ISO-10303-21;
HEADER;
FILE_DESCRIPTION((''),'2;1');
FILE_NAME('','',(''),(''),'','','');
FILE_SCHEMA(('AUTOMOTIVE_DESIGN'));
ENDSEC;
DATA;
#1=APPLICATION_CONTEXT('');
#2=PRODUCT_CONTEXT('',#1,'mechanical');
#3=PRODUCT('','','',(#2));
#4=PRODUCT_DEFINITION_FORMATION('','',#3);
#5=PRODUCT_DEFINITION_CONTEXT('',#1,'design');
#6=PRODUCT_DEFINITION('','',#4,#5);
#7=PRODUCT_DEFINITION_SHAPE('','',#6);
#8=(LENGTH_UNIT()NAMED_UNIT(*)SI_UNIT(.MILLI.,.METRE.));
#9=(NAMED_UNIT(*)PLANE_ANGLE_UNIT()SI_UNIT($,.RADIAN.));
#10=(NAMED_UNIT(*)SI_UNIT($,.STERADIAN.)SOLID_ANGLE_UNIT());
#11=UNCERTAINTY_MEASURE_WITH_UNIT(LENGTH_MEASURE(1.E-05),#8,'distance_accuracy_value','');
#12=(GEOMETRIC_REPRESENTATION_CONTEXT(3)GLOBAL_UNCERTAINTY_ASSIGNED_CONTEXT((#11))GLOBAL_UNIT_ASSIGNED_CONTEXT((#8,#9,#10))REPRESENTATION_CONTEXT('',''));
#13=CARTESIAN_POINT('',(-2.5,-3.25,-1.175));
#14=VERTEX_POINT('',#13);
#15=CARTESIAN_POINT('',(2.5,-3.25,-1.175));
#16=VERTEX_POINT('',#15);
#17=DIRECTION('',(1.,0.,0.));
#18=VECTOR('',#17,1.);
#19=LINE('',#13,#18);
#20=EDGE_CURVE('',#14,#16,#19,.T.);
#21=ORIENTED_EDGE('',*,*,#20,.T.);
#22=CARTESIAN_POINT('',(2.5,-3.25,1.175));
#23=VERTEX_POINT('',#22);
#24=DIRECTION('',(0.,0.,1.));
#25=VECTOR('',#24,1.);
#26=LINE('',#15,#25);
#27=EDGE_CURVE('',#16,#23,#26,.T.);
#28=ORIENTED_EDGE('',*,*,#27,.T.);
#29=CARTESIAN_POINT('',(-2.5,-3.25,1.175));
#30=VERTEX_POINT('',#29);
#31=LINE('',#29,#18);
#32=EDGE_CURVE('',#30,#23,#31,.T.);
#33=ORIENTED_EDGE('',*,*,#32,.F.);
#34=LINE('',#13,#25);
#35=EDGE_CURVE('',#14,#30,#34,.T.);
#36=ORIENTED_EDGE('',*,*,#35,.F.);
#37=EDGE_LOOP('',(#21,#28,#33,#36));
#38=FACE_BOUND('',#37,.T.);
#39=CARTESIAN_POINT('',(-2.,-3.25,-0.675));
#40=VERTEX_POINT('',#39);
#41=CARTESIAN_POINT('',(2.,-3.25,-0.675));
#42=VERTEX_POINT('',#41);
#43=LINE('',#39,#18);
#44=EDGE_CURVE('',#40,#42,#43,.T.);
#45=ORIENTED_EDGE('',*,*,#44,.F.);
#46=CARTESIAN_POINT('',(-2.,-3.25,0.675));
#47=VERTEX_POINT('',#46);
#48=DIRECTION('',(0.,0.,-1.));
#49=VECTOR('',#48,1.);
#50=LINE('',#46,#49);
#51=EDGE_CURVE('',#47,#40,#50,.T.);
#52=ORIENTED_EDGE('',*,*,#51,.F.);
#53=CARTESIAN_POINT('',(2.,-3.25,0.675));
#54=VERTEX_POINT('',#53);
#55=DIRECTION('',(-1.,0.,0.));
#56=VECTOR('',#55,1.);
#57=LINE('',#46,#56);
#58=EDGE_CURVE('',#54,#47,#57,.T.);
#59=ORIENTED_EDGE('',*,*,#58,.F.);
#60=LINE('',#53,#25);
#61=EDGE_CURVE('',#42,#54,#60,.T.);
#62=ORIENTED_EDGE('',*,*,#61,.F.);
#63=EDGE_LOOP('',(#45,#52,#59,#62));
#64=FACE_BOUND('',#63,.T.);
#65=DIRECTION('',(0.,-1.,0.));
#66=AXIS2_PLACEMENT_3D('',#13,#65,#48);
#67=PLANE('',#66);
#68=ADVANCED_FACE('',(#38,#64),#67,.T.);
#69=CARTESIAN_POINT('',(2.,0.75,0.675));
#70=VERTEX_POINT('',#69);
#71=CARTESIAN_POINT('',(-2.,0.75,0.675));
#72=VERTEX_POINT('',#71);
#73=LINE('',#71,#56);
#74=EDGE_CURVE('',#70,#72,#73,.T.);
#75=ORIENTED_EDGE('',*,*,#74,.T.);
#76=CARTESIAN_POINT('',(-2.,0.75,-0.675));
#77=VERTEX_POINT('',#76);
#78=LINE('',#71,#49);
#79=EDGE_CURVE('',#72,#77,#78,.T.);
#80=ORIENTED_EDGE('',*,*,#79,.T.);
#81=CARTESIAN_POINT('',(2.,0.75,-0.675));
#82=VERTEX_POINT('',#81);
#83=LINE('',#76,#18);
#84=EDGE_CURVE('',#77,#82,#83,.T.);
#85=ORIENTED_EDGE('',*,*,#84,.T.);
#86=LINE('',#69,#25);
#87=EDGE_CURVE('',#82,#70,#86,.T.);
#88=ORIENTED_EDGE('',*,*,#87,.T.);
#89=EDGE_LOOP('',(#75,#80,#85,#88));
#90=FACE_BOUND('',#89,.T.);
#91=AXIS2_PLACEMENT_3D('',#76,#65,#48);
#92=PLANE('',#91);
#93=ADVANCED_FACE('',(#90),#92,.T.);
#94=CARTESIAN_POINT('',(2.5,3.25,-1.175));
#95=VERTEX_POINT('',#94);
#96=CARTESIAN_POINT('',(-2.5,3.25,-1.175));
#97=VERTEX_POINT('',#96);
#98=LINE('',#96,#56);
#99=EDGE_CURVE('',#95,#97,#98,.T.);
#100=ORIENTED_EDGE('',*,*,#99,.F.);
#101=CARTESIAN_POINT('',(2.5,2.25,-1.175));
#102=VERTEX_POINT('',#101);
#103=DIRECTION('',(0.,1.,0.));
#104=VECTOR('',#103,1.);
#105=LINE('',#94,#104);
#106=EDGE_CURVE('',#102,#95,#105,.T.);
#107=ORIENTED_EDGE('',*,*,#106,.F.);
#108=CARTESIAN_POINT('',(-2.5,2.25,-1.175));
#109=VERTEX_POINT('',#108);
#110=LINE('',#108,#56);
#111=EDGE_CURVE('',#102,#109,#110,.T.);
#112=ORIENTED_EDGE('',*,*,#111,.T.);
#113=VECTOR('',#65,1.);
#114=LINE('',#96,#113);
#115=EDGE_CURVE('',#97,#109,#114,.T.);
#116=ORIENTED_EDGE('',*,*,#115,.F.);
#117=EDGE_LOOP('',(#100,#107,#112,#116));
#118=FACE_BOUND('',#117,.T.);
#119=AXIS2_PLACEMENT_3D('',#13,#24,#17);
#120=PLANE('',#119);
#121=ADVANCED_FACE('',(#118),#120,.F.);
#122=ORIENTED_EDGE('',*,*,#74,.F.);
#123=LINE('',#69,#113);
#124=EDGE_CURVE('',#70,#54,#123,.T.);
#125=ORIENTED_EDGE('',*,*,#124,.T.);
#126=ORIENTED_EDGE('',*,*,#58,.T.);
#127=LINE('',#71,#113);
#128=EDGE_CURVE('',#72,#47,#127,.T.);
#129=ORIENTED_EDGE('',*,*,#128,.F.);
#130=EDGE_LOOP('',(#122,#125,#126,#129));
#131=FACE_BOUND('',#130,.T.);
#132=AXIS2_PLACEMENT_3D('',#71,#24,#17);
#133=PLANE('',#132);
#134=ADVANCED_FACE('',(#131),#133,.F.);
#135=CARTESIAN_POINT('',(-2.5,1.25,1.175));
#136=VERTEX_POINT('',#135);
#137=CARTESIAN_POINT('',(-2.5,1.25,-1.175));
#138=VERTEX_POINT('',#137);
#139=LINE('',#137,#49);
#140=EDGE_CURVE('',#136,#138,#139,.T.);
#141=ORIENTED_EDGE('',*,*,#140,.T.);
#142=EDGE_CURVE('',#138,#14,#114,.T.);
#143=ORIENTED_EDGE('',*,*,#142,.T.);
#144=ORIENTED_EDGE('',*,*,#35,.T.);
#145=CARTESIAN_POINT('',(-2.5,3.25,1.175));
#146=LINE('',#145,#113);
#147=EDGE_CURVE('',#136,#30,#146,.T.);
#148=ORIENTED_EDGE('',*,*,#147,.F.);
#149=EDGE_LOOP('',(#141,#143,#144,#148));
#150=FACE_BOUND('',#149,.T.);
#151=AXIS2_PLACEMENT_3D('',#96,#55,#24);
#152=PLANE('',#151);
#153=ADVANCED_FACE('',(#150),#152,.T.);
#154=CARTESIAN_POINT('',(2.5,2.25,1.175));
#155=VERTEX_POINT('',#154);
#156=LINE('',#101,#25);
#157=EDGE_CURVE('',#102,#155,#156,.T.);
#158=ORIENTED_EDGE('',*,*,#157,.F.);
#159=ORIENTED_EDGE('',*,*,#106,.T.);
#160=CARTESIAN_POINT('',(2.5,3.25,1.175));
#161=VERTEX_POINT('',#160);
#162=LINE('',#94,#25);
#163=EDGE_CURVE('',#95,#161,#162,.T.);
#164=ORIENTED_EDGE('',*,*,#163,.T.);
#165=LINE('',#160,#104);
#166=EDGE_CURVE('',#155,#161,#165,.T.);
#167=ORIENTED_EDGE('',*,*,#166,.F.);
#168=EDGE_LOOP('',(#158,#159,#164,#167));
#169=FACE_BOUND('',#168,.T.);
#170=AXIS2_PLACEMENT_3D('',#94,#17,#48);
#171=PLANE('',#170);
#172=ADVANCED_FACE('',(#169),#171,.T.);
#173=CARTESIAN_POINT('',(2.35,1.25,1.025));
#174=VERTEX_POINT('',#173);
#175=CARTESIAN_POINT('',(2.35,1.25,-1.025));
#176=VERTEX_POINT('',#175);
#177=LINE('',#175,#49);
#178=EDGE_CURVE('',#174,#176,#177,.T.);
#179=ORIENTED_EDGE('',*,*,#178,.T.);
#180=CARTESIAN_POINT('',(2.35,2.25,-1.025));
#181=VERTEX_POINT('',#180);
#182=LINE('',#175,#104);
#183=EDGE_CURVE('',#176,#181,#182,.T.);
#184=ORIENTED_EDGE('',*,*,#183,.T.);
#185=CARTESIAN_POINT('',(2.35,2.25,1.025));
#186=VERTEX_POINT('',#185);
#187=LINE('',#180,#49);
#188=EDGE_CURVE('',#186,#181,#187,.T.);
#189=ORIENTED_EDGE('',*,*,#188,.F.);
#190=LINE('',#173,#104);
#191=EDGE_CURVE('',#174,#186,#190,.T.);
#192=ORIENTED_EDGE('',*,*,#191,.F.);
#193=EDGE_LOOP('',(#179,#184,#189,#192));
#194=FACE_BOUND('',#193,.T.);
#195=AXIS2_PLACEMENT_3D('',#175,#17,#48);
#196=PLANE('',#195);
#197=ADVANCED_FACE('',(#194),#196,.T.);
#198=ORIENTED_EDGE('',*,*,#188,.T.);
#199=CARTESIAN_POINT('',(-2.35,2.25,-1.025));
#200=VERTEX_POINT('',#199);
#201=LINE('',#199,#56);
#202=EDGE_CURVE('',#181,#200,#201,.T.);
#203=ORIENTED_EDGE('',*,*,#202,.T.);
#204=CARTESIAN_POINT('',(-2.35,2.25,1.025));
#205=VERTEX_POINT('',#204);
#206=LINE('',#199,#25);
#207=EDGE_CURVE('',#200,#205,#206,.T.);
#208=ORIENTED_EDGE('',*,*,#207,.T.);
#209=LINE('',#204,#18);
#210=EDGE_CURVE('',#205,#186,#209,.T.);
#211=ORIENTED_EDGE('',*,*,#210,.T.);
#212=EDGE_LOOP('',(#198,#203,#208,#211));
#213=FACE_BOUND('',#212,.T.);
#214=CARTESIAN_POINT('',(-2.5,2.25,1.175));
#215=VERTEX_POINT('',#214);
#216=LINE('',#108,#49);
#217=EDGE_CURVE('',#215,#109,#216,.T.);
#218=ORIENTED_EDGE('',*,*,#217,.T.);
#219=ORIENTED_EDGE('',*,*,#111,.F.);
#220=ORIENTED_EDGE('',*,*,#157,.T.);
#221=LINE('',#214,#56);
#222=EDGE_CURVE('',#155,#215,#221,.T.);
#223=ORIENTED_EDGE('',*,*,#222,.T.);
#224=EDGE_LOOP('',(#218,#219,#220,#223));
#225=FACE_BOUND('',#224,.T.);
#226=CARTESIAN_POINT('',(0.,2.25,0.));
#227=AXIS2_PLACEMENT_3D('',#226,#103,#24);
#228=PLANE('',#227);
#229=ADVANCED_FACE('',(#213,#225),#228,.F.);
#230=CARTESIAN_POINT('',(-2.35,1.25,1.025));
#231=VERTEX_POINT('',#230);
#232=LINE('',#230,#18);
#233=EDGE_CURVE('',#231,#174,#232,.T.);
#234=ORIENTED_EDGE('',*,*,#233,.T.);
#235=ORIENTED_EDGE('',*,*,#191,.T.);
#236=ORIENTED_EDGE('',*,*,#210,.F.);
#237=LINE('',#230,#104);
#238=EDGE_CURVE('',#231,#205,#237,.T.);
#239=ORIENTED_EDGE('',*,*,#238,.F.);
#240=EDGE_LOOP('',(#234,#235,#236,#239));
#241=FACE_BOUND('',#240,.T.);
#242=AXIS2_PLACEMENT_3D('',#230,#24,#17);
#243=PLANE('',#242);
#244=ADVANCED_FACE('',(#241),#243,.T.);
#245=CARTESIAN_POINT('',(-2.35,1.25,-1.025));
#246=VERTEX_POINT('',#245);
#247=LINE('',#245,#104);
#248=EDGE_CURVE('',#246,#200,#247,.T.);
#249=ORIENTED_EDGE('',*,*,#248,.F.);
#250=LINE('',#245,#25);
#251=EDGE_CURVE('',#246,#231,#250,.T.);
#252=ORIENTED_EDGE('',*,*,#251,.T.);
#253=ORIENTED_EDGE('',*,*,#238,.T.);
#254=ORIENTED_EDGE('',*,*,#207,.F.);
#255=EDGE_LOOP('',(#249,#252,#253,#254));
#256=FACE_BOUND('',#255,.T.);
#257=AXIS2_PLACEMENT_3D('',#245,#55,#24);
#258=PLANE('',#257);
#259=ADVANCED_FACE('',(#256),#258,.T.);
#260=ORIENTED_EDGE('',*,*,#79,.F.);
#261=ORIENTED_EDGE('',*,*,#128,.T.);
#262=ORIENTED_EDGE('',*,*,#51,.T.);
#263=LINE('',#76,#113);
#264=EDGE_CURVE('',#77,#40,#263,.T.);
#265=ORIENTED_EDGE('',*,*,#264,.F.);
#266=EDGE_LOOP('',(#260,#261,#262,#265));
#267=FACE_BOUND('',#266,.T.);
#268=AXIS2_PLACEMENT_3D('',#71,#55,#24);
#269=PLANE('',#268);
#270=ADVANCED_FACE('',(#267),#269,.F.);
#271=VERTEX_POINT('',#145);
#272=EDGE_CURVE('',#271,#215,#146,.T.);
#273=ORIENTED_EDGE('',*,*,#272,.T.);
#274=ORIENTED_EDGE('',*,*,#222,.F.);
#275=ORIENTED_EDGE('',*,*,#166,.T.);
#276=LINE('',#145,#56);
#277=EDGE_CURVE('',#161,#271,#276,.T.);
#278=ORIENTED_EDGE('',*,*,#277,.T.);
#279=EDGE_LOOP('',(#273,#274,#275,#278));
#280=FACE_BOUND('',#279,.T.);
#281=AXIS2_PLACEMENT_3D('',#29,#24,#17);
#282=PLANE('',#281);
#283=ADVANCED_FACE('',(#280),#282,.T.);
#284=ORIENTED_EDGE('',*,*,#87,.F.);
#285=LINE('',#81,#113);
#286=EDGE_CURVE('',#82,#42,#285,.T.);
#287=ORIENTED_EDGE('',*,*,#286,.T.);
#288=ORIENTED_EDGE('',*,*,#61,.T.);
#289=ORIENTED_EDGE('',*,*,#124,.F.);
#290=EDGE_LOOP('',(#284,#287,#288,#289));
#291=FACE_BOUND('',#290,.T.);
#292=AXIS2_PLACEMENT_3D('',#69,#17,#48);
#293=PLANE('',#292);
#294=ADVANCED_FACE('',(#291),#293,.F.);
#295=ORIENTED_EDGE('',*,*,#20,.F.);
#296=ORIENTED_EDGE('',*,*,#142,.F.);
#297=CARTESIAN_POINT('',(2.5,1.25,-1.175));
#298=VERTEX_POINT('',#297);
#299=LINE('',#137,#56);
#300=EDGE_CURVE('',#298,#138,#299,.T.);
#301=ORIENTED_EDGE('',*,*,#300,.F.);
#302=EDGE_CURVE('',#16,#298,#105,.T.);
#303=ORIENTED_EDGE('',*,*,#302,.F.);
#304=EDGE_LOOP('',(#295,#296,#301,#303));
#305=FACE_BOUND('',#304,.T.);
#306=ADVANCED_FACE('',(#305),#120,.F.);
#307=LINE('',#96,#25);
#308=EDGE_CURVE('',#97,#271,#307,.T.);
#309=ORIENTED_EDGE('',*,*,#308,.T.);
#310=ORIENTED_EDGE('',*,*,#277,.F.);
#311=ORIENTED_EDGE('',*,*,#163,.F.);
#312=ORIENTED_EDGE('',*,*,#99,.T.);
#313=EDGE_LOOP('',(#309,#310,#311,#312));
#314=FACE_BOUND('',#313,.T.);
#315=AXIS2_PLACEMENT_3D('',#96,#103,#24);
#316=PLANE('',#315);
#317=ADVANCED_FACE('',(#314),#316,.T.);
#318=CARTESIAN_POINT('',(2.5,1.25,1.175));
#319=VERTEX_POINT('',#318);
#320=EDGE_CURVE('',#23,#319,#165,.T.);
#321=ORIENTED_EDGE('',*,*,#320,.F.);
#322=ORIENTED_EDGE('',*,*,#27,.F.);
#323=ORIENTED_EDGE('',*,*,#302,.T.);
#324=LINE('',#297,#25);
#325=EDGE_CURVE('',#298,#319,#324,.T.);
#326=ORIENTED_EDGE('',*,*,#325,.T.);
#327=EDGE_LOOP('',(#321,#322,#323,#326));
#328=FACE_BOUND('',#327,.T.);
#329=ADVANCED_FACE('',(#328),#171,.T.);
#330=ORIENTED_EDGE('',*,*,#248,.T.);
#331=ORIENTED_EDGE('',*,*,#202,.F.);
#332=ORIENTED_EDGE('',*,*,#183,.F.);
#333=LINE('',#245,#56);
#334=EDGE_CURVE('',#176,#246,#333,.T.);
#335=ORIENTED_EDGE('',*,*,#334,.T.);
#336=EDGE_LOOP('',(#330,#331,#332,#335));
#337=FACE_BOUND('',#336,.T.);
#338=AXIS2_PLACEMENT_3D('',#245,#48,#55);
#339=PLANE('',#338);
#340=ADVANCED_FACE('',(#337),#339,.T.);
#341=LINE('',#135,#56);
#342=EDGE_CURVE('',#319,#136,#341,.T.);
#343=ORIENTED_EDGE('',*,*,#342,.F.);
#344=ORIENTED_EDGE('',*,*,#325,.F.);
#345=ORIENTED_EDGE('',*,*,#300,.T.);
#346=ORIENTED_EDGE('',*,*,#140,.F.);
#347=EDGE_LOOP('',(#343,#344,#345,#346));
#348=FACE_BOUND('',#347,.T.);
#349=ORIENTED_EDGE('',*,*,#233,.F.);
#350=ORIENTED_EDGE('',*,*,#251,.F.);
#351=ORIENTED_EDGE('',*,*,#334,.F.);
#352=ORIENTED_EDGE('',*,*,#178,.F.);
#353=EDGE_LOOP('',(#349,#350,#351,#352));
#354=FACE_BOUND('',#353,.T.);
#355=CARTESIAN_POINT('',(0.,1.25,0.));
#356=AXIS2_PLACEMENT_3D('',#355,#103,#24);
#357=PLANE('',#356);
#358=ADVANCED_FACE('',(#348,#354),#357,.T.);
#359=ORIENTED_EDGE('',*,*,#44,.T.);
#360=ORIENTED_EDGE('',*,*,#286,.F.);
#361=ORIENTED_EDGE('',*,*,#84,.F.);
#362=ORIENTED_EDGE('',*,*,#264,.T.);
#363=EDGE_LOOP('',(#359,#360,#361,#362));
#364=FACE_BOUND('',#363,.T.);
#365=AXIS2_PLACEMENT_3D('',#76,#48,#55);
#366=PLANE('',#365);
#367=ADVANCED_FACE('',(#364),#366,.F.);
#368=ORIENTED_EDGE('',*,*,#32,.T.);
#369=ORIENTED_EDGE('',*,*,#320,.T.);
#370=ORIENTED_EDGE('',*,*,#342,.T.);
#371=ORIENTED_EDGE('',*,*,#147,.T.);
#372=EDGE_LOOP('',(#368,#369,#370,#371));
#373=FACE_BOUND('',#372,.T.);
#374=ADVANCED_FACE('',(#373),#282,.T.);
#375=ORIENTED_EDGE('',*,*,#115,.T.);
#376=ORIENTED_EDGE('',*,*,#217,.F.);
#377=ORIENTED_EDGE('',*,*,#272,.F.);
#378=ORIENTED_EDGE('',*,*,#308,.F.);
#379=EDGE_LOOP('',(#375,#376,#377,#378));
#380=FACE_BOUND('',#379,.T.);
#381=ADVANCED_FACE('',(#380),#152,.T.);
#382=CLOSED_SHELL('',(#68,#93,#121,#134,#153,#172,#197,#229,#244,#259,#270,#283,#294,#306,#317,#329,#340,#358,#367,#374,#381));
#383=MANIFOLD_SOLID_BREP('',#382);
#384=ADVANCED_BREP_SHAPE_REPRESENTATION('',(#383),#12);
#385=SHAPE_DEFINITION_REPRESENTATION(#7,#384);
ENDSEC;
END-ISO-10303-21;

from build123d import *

# Parameters (mm, degrees)
EXTRUDE1_DEPTH      = 1.175
EXTRUDE1_DEPTH_BACK = 1.175
SKETCH1_W           = 5
SKETCH1_H           = 6.5
CUT_EXTRUDE1_START  = -1
SKETCH2_OUTSIDE_W   = 8.706
SKETCH2_OUTSIDE_H   = 6.056
SKETCH2_OUTSIDE_W_2 = 4.7
SKETCH2_OUTSIDE_H_2 = 2.05
CUT_EXTRUDE1_DEPTH  = 1
SKETCH3_W           = 4
SKETCH3_H           = 1.35
CUT_EXTRUDE2_DEPTH  = 4


with BuildPart() as part:
    # Sketch1 → Extrude1 (new, two sides: drawn at the far end of the back side and taken through both)
    with BuildSketch(Plane.XY.offset(-EXTRUDE1_DEPTH_BACK)):
        Rectangle(SKETCH1_W, SKETCH1_H)
    extrude(amount=EXTRUDE1_DEPTH + EXTRUDE1_DEPTH_BACK)

    # Sketch2 outside → Cut-Extrude1 (cut)
    with BuildSketch(Plane(origin=(0, 3.25, 0), x_dir=(1, 0, 0), z_dir=(0, 1, 0)).offset(CUT_EXTRUDE1_START)):
        Rectangle(SKETCH2_OUTSIDE_W, SKETCH2_OUTSIDE_H)
        Rectangle(SKETCH2_OUTSIDE_W_2, SKETCH2_OUTSIDE_H_2, mode=Mode.SUBTRACT)
    extrude(amount=-CUT_EXTRUDE1_DEPTH, mode=Mode.SUBTRACT)

    # Sketch3 → Cut-Extrude2 (cut)
    with BuildSketch(Plane.XZ.offset(3.25)):
        Rectangle(SKETCH3_W, SKETCH3_H)
    extrude(amount=-CUT_EXTRUDE2_DEPTH, mode=Mode.SUBTRACT)


solid = part.part
